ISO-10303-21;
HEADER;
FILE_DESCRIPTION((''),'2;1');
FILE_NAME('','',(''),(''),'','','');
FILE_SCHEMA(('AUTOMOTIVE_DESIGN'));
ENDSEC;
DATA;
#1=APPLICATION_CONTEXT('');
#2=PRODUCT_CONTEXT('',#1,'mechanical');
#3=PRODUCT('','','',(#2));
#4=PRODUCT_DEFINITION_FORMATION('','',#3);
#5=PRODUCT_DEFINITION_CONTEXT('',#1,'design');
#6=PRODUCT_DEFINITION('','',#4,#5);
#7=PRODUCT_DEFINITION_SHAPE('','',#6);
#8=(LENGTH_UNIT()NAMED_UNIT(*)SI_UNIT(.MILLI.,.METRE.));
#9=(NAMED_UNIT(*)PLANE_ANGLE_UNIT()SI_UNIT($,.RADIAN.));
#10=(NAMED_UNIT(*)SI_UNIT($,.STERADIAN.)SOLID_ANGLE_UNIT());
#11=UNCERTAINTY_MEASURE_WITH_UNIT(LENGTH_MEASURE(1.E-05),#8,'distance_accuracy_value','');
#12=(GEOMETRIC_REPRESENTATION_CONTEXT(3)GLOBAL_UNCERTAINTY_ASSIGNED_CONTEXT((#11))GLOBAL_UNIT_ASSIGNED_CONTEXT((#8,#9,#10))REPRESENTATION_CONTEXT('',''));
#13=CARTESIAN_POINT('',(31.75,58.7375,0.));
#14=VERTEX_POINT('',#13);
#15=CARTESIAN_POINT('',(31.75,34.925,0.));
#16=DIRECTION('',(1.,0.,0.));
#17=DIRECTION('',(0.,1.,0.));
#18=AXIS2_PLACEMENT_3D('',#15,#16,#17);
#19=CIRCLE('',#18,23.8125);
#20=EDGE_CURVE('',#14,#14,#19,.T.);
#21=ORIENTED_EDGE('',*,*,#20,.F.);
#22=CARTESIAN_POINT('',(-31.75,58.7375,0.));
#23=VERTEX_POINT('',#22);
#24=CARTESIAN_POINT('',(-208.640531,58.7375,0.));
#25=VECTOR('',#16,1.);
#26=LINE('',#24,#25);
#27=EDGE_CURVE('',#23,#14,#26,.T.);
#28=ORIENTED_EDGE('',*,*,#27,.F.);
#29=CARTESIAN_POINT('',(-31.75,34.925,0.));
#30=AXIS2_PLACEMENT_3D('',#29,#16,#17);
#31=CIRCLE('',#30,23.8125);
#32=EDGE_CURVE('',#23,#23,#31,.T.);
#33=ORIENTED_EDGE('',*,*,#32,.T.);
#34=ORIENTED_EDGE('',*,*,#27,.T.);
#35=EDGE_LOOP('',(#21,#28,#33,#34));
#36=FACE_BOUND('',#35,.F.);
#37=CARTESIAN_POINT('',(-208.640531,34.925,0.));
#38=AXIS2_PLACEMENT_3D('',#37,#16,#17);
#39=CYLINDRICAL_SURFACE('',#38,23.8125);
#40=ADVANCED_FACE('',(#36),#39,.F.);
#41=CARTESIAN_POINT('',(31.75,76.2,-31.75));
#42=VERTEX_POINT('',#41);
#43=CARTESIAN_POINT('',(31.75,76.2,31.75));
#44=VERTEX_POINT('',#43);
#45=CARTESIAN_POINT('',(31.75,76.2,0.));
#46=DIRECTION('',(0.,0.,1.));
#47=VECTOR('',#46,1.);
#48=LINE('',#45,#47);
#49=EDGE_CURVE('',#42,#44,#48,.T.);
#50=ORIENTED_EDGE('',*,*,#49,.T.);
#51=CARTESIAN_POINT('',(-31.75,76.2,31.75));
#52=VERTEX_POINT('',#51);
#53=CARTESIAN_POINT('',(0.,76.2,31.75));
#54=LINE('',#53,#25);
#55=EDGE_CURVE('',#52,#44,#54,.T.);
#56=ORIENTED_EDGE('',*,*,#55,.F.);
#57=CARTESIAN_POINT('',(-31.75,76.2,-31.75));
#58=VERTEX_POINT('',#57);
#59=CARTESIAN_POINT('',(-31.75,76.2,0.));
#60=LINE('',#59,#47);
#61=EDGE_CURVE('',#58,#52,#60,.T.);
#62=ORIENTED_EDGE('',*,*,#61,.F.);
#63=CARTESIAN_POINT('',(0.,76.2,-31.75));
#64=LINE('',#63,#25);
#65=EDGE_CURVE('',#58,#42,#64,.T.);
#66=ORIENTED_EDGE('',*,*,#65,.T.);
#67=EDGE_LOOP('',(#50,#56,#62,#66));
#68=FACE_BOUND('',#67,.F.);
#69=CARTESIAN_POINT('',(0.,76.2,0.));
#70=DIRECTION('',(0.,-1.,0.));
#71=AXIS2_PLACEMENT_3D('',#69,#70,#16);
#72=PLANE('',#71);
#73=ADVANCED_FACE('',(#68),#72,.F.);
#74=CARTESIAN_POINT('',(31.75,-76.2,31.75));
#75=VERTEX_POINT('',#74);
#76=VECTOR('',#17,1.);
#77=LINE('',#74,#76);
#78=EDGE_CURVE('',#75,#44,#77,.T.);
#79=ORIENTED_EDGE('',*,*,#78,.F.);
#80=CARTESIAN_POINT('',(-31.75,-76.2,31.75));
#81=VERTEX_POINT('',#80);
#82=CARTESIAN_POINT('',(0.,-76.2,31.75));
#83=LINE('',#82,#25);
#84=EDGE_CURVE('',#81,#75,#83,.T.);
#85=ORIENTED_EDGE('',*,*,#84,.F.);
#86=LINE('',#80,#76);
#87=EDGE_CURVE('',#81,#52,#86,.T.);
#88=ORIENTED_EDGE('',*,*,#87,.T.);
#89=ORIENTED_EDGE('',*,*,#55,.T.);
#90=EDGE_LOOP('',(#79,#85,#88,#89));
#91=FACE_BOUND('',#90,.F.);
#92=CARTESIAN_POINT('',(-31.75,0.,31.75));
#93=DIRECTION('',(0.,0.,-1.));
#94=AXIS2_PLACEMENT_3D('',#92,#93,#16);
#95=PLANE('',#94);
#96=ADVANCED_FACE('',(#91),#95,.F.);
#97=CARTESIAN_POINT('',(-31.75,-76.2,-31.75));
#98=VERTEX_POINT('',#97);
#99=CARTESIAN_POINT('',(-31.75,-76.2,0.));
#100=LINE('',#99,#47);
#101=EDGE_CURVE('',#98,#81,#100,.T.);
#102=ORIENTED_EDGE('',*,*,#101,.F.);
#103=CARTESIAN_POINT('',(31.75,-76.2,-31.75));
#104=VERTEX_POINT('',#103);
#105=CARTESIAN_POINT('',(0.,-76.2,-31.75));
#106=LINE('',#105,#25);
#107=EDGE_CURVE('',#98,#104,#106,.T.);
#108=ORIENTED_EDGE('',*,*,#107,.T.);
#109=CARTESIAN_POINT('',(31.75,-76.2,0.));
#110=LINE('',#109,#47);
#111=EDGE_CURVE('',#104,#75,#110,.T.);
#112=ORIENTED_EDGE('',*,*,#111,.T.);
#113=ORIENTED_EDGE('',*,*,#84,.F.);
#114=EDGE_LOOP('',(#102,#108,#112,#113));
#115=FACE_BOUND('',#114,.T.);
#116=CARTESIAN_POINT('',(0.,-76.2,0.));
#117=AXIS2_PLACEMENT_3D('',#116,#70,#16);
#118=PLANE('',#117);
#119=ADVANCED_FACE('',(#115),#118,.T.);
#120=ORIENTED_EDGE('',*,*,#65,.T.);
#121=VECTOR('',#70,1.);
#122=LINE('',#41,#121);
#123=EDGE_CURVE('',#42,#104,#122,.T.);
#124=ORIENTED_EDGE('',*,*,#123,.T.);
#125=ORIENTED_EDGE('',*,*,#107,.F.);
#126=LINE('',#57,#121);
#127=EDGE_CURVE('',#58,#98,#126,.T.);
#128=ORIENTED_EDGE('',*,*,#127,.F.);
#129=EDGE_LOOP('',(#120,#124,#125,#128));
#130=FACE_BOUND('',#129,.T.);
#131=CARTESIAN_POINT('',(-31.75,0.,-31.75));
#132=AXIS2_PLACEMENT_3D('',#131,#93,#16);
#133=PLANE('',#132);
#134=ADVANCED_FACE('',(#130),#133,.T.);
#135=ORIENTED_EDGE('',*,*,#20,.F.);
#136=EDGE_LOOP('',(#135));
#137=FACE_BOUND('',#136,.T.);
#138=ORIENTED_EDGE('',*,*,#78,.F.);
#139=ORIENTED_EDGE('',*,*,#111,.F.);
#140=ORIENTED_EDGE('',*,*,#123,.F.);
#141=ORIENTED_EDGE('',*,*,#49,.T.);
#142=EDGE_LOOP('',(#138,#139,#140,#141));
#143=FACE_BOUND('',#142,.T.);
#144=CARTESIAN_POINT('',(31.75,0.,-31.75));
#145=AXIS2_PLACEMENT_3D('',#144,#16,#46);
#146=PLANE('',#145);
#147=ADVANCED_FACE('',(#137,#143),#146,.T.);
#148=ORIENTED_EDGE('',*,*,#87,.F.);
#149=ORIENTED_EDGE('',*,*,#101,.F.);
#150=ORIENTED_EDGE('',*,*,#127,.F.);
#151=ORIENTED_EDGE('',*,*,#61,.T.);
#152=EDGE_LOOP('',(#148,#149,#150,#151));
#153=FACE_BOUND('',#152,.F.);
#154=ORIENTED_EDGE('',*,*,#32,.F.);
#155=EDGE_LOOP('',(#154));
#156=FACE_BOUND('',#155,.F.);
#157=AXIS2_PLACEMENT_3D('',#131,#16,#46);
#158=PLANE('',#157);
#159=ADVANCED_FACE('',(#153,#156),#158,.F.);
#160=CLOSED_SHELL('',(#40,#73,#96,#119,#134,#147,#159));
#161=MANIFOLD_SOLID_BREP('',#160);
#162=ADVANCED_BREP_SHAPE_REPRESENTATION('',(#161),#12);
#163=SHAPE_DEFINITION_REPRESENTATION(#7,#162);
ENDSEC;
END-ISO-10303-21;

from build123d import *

# Parameters (mm, degrees)
F0_W     = 63.5
F0_H     = 63.5
F1_DEPTH = 76.2
F3_D     = 47.625


with BuildPart() as f1:
    # F0 (on Front) → F1 (new body, symmetric)
    with BuildSketch(Plane.XZ):
        Rectangle(F0_W, F0_H)
    extrude(amount=F1_DEPTH, both=True)

    # F3 (through all)
    with Locations(Plane(origin=(-31.75, 0, 0), x_dir=(0, -1, 0), z_dir=(-1, 0, 0))):
        with Locations((-34.925, 0)):
            Hole(F3_D / 2)


solid = f1.part
